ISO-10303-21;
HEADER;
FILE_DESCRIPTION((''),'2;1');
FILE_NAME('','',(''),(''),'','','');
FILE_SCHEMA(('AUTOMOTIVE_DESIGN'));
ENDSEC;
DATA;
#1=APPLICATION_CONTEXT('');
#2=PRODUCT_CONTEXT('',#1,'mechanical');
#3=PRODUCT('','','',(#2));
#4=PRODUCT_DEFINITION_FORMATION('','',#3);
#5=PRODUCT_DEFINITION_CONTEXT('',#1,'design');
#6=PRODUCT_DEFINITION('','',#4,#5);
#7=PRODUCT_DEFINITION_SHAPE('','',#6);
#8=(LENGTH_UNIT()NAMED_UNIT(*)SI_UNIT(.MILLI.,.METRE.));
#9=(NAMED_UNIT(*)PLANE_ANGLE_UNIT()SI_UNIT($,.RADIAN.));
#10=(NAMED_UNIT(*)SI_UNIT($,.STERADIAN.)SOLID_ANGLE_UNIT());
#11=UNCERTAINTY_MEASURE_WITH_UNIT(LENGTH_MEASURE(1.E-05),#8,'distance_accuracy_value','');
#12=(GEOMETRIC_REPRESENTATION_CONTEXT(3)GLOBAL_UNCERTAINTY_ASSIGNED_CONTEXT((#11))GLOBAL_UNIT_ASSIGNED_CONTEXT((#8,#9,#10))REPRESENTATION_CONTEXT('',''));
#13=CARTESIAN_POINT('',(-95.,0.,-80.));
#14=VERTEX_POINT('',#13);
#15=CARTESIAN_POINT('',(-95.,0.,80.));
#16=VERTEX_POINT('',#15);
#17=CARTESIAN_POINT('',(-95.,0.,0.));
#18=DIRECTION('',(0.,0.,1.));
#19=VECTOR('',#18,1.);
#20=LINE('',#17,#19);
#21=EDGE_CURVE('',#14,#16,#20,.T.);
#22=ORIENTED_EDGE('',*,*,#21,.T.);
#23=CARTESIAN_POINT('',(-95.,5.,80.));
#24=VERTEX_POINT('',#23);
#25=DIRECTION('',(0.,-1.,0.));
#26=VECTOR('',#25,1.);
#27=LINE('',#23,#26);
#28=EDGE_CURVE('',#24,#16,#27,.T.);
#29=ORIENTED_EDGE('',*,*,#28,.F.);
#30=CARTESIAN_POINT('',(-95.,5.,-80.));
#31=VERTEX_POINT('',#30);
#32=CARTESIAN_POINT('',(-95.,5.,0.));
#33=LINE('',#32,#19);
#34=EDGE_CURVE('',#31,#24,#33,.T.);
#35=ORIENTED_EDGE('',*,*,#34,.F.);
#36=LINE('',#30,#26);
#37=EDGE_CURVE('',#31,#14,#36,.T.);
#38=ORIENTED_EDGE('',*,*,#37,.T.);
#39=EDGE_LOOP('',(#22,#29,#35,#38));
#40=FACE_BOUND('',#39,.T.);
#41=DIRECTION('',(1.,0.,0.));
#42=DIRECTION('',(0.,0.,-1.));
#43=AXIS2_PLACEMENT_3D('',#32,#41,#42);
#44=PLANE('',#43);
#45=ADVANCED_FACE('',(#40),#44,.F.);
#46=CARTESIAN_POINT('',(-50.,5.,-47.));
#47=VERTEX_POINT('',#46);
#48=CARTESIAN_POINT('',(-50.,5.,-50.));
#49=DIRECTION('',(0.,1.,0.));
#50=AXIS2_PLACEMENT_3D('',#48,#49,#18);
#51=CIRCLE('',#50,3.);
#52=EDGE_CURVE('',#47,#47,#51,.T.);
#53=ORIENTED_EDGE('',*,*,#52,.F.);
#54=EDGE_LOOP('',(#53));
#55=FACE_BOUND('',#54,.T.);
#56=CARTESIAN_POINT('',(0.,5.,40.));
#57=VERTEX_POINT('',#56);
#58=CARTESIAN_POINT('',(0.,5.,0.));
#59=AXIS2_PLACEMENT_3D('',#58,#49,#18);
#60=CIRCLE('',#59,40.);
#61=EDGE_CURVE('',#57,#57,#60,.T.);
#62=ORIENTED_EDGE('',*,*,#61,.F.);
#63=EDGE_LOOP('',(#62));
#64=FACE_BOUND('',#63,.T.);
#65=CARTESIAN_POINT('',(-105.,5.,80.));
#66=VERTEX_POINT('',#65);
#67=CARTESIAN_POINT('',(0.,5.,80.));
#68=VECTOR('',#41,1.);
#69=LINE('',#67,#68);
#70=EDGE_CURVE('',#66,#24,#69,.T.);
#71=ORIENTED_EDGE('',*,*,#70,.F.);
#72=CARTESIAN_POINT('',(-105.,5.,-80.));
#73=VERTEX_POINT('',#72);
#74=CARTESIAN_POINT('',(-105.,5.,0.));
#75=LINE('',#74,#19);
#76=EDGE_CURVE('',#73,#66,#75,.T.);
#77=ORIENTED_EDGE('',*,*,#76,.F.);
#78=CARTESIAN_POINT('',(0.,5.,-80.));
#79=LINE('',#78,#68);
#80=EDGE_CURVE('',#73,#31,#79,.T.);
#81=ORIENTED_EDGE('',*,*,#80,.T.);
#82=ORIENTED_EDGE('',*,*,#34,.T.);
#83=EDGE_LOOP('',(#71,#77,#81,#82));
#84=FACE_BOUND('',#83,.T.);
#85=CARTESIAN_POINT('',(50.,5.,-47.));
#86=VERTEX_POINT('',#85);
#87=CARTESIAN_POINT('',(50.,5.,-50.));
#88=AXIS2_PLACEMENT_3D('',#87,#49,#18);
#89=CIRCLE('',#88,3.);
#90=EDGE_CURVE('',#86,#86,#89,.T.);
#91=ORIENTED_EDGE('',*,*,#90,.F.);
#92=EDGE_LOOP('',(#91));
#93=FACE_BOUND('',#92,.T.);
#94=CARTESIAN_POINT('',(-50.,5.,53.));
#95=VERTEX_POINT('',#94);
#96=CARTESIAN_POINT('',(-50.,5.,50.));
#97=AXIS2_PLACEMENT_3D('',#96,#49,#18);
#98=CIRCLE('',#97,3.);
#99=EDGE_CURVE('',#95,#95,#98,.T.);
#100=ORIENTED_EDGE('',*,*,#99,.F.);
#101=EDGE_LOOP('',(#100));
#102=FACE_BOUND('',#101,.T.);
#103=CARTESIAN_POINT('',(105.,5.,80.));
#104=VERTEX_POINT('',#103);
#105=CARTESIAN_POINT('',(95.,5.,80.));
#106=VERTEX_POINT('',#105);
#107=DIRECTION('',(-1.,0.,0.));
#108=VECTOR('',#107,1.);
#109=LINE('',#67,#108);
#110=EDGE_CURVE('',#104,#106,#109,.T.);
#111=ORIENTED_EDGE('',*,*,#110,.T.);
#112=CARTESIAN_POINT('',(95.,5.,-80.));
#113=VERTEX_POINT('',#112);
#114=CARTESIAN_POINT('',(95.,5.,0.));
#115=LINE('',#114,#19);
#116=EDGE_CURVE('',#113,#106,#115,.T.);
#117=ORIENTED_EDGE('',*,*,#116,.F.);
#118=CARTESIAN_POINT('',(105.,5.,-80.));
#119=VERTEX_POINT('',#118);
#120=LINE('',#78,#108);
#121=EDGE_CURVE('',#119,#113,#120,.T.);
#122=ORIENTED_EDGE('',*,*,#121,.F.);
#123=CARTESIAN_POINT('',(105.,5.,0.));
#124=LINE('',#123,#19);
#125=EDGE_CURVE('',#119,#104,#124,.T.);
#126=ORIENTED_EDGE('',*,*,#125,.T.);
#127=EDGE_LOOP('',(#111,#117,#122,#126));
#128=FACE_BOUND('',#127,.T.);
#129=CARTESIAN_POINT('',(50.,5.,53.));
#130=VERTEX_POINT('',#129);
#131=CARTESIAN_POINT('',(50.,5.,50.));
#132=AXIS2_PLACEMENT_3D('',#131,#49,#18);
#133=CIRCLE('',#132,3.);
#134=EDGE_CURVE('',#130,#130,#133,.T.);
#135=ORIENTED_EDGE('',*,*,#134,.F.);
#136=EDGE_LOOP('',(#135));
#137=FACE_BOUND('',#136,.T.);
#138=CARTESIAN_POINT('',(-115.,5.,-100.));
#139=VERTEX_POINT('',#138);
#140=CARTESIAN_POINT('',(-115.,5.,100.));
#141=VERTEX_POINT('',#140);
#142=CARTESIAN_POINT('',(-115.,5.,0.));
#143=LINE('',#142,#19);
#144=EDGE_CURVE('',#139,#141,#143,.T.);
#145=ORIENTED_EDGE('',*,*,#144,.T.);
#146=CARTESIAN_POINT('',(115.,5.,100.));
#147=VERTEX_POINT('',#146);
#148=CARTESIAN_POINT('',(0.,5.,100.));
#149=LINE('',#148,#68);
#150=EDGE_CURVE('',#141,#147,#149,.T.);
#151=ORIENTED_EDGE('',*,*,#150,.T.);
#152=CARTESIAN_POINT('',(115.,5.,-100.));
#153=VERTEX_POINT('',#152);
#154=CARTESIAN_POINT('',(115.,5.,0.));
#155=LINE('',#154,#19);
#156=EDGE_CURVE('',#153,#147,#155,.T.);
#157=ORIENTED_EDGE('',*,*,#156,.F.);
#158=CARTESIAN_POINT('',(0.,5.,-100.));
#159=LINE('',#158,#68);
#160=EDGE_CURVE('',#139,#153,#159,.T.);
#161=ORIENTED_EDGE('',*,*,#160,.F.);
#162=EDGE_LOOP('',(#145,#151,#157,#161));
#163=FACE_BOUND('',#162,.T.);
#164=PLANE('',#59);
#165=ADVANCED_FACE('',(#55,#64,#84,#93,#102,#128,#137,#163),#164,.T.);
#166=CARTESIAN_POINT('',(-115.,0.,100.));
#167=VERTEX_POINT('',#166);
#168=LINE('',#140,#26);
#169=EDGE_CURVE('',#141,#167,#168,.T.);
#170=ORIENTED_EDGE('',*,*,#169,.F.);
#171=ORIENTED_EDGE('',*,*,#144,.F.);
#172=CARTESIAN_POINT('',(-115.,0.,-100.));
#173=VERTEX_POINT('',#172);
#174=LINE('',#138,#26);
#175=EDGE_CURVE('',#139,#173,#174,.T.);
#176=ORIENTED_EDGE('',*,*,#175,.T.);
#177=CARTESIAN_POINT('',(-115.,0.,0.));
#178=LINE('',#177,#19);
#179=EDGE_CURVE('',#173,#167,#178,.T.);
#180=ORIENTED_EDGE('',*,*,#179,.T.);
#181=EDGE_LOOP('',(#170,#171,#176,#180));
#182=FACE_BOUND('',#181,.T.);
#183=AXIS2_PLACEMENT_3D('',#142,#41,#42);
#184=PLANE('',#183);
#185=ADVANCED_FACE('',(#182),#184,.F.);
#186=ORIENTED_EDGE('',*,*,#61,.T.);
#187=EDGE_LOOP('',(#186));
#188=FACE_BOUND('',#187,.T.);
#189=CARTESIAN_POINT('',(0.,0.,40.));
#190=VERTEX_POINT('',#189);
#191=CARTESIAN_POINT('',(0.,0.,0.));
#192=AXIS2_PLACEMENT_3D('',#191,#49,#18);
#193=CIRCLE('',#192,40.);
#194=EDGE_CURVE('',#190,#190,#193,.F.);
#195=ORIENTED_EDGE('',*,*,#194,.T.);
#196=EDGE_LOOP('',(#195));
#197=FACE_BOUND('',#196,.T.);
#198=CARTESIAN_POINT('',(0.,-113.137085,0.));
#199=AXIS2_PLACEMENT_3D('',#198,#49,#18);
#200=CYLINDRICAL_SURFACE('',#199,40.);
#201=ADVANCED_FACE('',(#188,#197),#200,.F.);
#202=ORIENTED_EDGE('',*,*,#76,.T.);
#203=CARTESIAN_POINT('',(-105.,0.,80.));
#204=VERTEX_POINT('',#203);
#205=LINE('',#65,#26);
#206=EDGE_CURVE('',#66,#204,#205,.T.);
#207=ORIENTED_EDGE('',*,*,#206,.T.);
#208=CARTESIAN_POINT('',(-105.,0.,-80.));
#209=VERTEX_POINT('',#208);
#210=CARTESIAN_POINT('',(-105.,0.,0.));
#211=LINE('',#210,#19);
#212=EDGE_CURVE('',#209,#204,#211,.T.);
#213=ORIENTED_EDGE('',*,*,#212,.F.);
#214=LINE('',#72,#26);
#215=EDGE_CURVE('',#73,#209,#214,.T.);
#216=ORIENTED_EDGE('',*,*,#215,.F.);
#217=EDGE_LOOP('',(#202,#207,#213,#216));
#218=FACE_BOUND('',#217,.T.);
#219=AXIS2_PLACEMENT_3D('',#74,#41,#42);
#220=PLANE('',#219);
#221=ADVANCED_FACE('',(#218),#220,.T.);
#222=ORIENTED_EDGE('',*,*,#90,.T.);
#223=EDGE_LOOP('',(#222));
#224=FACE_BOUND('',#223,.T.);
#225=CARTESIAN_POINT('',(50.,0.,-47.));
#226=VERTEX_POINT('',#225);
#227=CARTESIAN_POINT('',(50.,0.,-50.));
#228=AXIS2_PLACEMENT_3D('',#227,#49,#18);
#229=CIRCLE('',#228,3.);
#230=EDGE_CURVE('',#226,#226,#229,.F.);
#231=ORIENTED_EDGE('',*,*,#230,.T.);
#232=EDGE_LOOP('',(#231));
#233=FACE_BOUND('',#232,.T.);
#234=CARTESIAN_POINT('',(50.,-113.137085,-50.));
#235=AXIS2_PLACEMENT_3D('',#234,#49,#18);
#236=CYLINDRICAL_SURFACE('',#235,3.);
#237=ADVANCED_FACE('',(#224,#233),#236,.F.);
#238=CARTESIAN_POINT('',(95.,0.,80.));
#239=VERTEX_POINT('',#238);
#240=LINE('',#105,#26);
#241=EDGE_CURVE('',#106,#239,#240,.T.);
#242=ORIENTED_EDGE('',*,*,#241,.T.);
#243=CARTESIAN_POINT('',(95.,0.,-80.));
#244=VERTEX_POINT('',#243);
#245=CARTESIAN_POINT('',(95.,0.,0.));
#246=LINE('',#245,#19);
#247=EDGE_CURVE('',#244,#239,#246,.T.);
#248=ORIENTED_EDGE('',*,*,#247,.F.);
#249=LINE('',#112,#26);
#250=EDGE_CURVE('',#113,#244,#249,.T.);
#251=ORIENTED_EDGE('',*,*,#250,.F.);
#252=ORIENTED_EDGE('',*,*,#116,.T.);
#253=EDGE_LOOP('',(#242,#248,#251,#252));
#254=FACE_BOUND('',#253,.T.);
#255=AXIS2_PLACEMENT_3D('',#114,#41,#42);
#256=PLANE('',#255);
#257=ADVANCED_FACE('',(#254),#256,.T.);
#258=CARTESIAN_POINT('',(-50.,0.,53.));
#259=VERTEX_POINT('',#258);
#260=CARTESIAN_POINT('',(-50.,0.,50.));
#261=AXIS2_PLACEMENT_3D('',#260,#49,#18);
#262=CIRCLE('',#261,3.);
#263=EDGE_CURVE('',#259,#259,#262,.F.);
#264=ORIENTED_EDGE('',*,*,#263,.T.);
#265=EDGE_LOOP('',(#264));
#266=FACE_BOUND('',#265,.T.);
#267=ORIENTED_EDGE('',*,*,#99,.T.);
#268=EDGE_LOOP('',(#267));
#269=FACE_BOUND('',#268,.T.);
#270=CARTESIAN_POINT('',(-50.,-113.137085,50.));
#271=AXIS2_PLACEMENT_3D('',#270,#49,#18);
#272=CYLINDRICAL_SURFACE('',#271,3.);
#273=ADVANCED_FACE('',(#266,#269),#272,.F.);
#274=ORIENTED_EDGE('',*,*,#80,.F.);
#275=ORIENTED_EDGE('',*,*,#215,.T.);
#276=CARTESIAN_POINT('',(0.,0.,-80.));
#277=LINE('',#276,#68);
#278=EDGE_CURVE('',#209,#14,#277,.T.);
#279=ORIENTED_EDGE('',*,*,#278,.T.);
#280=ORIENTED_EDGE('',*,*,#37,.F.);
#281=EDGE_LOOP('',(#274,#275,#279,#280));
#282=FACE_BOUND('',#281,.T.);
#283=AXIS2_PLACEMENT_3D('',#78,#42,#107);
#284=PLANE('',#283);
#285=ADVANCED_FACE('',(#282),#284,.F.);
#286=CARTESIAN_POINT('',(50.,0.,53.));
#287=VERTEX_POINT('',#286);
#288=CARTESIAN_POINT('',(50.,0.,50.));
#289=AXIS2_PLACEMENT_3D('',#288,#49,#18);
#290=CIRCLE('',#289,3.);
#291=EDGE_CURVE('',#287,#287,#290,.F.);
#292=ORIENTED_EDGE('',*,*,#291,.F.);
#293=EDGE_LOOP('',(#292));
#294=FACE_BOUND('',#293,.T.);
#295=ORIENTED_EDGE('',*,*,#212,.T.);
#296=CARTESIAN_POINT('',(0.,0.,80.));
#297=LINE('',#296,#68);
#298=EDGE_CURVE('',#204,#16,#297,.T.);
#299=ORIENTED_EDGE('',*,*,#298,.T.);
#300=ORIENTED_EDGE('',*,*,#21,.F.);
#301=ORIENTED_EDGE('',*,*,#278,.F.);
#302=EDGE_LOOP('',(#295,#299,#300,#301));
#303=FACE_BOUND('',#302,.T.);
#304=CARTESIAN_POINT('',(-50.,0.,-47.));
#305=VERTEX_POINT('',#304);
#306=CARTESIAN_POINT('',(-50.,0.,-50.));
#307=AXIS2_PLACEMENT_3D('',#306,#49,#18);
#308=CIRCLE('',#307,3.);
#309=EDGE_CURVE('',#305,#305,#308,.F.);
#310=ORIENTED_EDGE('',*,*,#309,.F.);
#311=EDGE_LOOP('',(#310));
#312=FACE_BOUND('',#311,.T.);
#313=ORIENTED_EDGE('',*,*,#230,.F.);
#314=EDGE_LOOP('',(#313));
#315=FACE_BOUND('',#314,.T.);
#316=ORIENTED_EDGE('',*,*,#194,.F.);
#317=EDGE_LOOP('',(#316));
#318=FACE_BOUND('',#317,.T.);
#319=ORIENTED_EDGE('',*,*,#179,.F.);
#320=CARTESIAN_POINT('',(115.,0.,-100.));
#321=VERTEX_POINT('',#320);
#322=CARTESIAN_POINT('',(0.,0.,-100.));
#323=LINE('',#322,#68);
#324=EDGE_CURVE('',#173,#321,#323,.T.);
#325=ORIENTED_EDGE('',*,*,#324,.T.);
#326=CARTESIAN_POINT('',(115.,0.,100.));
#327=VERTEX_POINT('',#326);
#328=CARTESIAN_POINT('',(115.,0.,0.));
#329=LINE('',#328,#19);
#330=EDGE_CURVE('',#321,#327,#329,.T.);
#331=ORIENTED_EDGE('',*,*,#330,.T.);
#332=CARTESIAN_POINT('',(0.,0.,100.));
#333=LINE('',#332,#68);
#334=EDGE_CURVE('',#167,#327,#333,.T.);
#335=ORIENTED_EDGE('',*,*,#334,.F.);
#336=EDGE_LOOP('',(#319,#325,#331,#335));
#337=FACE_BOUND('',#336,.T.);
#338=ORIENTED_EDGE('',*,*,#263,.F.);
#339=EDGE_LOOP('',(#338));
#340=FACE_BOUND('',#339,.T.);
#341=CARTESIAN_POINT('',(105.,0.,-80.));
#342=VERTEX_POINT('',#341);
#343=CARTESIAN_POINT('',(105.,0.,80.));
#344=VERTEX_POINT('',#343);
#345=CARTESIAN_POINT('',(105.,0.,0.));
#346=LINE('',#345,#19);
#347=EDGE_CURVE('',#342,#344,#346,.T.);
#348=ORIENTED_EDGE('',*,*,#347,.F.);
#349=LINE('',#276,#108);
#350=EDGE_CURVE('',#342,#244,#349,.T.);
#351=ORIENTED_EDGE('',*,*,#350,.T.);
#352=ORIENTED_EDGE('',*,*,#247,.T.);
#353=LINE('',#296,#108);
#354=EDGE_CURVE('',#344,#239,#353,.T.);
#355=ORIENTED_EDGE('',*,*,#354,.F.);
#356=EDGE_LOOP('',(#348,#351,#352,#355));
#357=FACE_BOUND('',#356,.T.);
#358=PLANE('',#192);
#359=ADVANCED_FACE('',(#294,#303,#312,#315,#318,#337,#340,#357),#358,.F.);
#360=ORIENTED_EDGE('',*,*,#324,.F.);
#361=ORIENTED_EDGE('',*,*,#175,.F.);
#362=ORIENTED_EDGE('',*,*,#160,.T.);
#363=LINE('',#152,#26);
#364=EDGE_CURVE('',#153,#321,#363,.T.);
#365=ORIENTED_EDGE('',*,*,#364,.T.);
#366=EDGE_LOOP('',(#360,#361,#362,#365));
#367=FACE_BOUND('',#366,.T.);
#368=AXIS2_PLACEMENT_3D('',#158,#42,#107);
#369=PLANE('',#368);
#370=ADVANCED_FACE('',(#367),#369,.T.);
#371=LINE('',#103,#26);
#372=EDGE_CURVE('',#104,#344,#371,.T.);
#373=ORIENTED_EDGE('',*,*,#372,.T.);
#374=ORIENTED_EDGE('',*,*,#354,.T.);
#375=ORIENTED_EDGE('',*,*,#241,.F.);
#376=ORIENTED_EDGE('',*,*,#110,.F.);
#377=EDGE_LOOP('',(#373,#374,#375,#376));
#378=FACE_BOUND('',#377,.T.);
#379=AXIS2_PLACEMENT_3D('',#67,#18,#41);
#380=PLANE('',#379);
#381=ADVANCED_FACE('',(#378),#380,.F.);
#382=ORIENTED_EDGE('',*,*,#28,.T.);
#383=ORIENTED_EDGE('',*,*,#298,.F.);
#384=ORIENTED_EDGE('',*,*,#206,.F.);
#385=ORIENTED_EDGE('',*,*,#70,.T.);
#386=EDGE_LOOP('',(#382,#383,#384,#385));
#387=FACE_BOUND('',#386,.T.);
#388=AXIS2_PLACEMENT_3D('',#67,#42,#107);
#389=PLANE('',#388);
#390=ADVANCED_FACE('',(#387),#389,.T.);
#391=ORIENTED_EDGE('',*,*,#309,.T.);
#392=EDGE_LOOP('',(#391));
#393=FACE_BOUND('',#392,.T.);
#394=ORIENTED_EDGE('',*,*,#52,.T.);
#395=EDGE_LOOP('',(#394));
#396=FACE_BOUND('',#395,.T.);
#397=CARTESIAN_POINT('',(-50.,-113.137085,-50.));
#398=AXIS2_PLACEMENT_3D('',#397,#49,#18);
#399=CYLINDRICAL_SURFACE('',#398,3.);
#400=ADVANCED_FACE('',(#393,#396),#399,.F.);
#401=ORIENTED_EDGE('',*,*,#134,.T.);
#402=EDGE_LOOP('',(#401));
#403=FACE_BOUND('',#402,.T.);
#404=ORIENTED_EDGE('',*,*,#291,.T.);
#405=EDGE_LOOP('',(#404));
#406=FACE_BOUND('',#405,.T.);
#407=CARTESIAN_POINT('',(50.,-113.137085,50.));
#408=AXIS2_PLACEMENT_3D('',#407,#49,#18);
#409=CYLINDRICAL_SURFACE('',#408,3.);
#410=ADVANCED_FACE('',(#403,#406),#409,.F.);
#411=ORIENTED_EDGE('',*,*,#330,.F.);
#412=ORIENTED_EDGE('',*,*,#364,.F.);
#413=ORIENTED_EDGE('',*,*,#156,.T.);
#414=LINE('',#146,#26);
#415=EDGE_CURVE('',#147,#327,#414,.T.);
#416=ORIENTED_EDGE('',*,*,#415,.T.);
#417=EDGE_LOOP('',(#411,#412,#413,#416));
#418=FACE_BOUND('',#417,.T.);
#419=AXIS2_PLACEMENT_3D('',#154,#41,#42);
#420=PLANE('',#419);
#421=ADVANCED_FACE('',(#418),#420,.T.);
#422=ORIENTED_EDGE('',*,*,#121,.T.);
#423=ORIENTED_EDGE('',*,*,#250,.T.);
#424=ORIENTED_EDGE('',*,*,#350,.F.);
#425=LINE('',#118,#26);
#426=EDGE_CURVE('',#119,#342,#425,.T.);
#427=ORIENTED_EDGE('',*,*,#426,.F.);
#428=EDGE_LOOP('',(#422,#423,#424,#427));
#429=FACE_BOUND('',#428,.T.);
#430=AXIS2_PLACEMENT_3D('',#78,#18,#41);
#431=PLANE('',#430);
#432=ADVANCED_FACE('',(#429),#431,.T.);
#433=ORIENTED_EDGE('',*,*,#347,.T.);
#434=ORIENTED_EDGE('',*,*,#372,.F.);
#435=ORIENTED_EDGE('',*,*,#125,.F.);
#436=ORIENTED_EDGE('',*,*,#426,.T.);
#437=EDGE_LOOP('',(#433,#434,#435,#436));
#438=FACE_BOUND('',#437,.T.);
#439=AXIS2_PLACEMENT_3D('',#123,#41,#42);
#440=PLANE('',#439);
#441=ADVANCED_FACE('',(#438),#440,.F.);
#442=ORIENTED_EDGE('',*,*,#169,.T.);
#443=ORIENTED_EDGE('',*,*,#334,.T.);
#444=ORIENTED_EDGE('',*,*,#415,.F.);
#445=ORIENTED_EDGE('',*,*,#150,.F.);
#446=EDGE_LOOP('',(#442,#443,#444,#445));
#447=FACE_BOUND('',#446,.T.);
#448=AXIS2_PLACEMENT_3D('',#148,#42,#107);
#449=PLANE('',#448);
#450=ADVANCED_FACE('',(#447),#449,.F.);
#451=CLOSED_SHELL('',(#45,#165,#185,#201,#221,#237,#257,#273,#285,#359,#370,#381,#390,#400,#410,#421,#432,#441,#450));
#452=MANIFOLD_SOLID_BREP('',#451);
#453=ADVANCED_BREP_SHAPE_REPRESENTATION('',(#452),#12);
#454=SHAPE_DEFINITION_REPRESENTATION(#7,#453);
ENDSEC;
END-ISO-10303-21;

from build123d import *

# Parameters (mm, degrees)
SKETCH1_W           = 230
SKETCH1_H           = 200
SKETCH1_W_2         = 10
SKETCH1_H_2         = 160
BOSS_EXTRUDE1_DEPTH = 5
SKETCH2_R           = 40
SKETCH2_R_2         = 3
CUT_EXTRUDE1_DEPTH  = 5


with BuildPart() as part:
    # Sketch1 → Boss-Extrude1 (new body)
    with BuildSketch(Plane(origin=(0, 0, 0), x_dir=(1, 0, 0), z_dir=(0, 1, 0))):
        Rectangle(SKETCH1_W, SKETCH1_H)
        with Locations((-100, 0)):
            Rectangle(SKETCH1_W_2, SKETCH1_H_2, mode=Mode.SUBTRACT)
        with Locations((100, 0)):
            Rectangle(SKETCH1_W_2, SKETCH1_H_2, mode=Mode.SUBTRACT)
    extrude(amount=BOSS_EXTRUDE1_DEPTH)

    # Sketch2 → Cut-Extrude1 (cut)
    with BuildSketch(Plane(origin=(0, 5, 0), x_dir=(1, 0, 0), z_dir=(0, 1, 0))):
        with Locations(Location((0, 0, 0), (0, 0, 270))):
            Circle(SKETCH2_R)
        with Locations(Location((-50, 50, 0), (0, 0, 270))):
            Circle(SKETCH2_R_2)
        with Locations(Location((50, 50, 0), (0, 0, 270))):
            Circle(SKETCH2_R_2)
        with Locations(Location((50, -50, 0), (0, 0, 270))):
            Circle(SKETCH2_R_2)
        with Locations(Location((-50, -50, 0), (0, 0, 270))):
            Circle(SKETCH2_R_2)
    extrude(amount=-CUT_EXTRUDE1_DEPTH, mode=Mode.SUBTRACT)


solid = part.part
